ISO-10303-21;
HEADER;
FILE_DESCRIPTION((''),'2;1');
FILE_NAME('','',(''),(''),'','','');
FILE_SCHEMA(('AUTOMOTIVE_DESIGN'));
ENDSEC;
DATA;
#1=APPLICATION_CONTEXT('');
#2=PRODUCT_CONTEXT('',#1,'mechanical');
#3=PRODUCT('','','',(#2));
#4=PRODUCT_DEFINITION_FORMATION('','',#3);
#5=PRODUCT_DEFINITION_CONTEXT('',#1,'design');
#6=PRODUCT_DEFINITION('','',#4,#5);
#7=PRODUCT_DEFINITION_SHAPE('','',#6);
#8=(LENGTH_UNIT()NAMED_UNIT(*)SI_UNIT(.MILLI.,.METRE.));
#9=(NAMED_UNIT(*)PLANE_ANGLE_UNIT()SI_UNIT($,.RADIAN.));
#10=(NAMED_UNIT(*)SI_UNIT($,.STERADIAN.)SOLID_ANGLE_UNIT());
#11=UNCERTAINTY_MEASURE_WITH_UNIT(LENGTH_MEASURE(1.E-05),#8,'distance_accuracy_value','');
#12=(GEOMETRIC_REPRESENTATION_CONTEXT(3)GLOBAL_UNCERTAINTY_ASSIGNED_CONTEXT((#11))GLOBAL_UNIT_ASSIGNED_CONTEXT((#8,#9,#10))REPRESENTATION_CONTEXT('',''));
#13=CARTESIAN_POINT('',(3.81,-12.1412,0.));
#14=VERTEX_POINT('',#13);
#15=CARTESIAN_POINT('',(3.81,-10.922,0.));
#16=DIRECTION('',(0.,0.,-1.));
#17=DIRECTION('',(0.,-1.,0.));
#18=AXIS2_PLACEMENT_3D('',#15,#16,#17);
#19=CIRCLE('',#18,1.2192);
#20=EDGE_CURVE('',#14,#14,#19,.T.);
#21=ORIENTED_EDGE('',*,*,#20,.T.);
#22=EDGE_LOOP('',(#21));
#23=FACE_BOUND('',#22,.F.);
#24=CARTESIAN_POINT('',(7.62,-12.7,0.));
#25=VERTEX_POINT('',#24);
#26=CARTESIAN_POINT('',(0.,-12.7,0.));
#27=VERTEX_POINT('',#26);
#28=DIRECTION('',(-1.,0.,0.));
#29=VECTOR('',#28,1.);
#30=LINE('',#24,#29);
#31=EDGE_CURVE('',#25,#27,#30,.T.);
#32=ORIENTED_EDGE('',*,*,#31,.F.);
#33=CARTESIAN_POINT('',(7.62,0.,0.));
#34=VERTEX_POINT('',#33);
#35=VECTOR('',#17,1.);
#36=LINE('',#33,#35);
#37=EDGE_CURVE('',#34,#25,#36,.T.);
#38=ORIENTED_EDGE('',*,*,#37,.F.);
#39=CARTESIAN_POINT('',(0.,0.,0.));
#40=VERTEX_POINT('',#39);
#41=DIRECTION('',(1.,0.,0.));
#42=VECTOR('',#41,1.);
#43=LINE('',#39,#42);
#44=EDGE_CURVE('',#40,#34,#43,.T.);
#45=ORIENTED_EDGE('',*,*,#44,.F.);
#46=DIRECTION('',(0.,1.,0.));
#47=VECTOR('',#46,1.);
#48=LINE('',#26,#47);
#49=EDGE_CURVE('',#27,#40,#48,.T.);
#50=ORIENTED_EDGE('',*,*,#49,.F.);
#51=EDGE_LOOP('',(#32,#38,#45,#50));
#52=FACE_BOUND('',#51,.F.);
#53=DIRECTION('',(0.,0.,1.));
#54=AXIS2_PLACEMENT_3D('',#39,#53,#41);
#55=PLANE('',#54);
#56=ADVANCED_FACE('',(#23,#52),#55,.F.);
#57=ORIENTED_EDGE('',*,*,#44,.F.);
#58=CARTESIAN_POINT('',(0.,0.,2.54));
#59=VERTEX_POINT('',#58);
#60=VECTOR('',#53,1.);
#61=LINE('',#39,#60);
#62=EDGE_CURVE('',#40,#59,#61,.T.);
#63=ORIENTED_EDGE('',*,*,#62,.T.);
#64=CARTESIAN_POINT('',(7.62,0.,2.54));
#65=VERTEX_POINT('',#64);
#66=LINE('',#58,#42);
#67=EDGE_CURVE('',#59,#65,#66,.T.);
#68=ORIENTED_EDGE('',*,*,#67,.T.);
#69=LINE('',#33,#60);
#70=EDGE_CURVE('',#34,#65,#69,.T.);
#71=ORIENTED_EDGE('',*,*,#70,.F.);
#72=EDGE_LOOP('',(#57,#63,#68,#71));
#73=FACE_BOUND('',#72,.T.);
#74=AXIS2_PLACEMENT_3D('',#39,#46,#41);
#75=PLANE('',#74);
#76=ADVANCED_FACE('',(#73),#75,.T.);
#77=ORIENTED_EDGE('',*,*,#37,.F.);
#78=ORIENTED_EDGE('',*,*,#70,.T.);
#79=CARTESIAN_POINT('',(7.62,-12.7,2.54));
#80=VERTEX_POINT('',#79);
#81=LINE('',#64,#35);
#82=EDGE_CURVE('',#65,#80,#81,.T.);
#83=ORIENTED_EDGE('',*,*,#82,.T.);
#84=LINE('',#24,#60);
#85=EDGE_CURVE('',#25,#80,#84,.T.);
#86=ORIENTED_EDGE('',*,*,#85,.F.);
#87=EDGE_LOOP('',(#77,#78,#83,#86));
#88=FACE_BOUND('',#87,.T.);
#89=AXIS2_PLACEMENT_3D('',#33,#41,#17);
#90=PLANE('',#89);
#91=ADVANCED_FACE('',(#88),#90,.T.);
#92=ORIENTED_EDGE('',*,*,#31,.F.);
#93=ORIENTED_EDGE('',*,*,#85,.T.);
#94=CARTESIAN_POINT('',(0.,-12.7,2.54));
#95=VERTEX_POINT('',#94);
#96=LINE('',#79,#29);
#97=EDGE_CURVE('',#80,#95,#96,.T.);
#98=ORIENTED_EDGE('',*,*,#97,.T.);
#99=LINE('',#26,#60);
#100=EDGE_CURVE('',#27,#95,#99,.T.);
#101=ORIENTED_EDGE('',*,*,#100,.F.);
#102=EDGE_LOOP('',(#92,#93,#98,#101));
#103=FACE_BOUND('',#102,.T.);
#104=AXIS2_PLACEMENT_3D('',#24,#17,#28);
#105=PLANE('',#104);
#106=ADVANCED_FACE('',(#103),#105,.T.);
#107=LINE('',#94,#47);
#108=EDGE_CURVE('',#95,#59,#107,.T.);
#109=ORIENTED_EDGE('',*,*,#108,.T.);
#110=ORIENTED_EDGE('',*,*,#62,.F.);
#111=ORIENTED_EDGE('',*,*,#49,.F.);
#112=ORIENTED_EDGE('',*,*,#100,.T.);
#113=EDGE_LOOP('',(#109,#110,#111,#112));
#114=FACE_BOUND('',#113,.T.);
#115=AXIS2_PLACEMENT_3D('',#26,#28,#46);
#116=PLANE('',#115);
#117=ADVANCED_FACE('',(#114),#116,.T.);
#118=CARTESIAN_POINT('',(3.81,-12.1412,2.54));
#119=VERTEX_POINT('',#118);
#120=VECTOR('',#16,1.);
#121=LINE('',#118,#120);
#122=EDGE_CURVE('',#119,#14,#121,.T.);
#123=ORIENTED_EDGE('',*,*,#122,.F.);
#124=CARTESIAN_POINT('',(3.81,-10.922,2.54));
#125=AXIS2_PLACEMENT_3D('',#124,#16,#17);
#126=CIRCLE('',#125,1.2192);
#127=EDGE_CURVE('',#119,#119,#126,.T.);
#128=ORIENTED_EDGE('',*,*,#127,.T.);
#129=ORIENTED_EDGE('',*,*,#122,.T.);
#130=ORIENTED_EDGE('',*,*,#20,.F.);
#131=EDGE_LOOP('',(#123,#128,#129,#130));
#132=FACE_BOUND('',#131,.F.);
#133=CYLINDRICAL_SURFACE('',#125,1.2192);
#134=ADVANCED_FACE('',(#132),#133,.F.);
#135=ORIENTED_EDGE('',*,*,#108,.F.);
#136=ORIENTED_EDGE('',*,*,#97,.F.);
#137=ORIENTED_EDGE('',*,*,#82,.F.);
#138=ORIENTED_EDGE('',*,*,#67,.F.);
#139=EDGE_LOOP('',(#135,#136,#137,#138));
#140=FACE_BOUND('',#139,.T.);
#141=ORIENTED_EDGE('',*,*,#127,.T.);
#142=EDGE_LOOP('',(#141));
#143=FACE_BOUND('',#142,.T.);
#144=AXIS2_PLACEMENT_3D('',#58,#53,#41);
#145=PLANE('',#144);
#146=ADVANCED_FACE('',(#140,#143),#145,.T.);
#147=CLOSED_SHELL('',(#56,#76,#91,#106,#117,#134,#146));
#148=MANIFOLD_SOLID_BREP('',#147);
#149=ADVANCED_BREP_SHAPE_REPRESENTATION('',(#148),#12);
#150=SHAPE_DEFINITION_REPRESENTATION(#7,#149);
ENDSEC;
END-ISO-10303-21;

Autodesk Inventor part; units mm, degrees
ref_plane "YZ Plane" through (0, 0, 0) normal (1, 0, 0) x (0, 1, 0)
ref_plane "XZ Plane" through (0, 0, 0) normal (0, 1, 0) x (-1, 0, 0)
ref_plane "XY Plane" through (0, 0, 0) normal (0, 0, 1) x (1, 0, 0)
sketch "Sketch1" plane through (0, 0, 0) normal (0, 0, 1) x (1, 0, 0)
  line L0 (0, 0) -> (7.62, 0)
  line L1 (7.62, 0) -> (7.62, -12.7)
  line L2 (7.62, -12.7) -> (0, -12.7)
  line L3 (0, -12.7) -> (0, 0)
  dimension "d0" = 7.62
  dimension "d1" = 12.7
extrude "Extrusion1" add sketch "Sketch1" along normal blind 2.54
sketch "Sketch2" plane through (0, 0, 2.54) normal (0, 0, 1) x (1, 0, 0)
  line L0 (7.62, 0) -> (7.62, -12.7) projected
  line L1 (7.62, -12.7) -> (0, -12.7) projected
  point P0 (3.81, -10.922)
  dimension "d4" = 3.81
  dimension "d5" = 1.778
hole "Hole1" at (3.81, -10.922, 2.54) direction (0, 0, -1) diameter 2.4384 depth 5.2203 tip angle 118 clearance for "Flat Head Machine Screw (82)" size "#2" standard "Ansi Unified Screw Threads"
sketch "Sketch3" plane through (0, -12.7, 0) normal (0, -1, 0) x (1, 0, 0)
  point P0 (2.8575, -69.85)
  point P1 (2.8575, -44.45)
  point P2 (2.8575, -19.304)
  point P3 (-70.8025, -30.48)
  point P4 (-70.8025, -10.16)
  point P5 (-109.5375, -30.48)
  point P6 (-109.5375, -10.16)
  point P7 (-183.1975, -19.304)
  point P8 (-183.1975, -44.45)
  point P9 (-183.1975, -69.85)
properties part number "QTR1A"
